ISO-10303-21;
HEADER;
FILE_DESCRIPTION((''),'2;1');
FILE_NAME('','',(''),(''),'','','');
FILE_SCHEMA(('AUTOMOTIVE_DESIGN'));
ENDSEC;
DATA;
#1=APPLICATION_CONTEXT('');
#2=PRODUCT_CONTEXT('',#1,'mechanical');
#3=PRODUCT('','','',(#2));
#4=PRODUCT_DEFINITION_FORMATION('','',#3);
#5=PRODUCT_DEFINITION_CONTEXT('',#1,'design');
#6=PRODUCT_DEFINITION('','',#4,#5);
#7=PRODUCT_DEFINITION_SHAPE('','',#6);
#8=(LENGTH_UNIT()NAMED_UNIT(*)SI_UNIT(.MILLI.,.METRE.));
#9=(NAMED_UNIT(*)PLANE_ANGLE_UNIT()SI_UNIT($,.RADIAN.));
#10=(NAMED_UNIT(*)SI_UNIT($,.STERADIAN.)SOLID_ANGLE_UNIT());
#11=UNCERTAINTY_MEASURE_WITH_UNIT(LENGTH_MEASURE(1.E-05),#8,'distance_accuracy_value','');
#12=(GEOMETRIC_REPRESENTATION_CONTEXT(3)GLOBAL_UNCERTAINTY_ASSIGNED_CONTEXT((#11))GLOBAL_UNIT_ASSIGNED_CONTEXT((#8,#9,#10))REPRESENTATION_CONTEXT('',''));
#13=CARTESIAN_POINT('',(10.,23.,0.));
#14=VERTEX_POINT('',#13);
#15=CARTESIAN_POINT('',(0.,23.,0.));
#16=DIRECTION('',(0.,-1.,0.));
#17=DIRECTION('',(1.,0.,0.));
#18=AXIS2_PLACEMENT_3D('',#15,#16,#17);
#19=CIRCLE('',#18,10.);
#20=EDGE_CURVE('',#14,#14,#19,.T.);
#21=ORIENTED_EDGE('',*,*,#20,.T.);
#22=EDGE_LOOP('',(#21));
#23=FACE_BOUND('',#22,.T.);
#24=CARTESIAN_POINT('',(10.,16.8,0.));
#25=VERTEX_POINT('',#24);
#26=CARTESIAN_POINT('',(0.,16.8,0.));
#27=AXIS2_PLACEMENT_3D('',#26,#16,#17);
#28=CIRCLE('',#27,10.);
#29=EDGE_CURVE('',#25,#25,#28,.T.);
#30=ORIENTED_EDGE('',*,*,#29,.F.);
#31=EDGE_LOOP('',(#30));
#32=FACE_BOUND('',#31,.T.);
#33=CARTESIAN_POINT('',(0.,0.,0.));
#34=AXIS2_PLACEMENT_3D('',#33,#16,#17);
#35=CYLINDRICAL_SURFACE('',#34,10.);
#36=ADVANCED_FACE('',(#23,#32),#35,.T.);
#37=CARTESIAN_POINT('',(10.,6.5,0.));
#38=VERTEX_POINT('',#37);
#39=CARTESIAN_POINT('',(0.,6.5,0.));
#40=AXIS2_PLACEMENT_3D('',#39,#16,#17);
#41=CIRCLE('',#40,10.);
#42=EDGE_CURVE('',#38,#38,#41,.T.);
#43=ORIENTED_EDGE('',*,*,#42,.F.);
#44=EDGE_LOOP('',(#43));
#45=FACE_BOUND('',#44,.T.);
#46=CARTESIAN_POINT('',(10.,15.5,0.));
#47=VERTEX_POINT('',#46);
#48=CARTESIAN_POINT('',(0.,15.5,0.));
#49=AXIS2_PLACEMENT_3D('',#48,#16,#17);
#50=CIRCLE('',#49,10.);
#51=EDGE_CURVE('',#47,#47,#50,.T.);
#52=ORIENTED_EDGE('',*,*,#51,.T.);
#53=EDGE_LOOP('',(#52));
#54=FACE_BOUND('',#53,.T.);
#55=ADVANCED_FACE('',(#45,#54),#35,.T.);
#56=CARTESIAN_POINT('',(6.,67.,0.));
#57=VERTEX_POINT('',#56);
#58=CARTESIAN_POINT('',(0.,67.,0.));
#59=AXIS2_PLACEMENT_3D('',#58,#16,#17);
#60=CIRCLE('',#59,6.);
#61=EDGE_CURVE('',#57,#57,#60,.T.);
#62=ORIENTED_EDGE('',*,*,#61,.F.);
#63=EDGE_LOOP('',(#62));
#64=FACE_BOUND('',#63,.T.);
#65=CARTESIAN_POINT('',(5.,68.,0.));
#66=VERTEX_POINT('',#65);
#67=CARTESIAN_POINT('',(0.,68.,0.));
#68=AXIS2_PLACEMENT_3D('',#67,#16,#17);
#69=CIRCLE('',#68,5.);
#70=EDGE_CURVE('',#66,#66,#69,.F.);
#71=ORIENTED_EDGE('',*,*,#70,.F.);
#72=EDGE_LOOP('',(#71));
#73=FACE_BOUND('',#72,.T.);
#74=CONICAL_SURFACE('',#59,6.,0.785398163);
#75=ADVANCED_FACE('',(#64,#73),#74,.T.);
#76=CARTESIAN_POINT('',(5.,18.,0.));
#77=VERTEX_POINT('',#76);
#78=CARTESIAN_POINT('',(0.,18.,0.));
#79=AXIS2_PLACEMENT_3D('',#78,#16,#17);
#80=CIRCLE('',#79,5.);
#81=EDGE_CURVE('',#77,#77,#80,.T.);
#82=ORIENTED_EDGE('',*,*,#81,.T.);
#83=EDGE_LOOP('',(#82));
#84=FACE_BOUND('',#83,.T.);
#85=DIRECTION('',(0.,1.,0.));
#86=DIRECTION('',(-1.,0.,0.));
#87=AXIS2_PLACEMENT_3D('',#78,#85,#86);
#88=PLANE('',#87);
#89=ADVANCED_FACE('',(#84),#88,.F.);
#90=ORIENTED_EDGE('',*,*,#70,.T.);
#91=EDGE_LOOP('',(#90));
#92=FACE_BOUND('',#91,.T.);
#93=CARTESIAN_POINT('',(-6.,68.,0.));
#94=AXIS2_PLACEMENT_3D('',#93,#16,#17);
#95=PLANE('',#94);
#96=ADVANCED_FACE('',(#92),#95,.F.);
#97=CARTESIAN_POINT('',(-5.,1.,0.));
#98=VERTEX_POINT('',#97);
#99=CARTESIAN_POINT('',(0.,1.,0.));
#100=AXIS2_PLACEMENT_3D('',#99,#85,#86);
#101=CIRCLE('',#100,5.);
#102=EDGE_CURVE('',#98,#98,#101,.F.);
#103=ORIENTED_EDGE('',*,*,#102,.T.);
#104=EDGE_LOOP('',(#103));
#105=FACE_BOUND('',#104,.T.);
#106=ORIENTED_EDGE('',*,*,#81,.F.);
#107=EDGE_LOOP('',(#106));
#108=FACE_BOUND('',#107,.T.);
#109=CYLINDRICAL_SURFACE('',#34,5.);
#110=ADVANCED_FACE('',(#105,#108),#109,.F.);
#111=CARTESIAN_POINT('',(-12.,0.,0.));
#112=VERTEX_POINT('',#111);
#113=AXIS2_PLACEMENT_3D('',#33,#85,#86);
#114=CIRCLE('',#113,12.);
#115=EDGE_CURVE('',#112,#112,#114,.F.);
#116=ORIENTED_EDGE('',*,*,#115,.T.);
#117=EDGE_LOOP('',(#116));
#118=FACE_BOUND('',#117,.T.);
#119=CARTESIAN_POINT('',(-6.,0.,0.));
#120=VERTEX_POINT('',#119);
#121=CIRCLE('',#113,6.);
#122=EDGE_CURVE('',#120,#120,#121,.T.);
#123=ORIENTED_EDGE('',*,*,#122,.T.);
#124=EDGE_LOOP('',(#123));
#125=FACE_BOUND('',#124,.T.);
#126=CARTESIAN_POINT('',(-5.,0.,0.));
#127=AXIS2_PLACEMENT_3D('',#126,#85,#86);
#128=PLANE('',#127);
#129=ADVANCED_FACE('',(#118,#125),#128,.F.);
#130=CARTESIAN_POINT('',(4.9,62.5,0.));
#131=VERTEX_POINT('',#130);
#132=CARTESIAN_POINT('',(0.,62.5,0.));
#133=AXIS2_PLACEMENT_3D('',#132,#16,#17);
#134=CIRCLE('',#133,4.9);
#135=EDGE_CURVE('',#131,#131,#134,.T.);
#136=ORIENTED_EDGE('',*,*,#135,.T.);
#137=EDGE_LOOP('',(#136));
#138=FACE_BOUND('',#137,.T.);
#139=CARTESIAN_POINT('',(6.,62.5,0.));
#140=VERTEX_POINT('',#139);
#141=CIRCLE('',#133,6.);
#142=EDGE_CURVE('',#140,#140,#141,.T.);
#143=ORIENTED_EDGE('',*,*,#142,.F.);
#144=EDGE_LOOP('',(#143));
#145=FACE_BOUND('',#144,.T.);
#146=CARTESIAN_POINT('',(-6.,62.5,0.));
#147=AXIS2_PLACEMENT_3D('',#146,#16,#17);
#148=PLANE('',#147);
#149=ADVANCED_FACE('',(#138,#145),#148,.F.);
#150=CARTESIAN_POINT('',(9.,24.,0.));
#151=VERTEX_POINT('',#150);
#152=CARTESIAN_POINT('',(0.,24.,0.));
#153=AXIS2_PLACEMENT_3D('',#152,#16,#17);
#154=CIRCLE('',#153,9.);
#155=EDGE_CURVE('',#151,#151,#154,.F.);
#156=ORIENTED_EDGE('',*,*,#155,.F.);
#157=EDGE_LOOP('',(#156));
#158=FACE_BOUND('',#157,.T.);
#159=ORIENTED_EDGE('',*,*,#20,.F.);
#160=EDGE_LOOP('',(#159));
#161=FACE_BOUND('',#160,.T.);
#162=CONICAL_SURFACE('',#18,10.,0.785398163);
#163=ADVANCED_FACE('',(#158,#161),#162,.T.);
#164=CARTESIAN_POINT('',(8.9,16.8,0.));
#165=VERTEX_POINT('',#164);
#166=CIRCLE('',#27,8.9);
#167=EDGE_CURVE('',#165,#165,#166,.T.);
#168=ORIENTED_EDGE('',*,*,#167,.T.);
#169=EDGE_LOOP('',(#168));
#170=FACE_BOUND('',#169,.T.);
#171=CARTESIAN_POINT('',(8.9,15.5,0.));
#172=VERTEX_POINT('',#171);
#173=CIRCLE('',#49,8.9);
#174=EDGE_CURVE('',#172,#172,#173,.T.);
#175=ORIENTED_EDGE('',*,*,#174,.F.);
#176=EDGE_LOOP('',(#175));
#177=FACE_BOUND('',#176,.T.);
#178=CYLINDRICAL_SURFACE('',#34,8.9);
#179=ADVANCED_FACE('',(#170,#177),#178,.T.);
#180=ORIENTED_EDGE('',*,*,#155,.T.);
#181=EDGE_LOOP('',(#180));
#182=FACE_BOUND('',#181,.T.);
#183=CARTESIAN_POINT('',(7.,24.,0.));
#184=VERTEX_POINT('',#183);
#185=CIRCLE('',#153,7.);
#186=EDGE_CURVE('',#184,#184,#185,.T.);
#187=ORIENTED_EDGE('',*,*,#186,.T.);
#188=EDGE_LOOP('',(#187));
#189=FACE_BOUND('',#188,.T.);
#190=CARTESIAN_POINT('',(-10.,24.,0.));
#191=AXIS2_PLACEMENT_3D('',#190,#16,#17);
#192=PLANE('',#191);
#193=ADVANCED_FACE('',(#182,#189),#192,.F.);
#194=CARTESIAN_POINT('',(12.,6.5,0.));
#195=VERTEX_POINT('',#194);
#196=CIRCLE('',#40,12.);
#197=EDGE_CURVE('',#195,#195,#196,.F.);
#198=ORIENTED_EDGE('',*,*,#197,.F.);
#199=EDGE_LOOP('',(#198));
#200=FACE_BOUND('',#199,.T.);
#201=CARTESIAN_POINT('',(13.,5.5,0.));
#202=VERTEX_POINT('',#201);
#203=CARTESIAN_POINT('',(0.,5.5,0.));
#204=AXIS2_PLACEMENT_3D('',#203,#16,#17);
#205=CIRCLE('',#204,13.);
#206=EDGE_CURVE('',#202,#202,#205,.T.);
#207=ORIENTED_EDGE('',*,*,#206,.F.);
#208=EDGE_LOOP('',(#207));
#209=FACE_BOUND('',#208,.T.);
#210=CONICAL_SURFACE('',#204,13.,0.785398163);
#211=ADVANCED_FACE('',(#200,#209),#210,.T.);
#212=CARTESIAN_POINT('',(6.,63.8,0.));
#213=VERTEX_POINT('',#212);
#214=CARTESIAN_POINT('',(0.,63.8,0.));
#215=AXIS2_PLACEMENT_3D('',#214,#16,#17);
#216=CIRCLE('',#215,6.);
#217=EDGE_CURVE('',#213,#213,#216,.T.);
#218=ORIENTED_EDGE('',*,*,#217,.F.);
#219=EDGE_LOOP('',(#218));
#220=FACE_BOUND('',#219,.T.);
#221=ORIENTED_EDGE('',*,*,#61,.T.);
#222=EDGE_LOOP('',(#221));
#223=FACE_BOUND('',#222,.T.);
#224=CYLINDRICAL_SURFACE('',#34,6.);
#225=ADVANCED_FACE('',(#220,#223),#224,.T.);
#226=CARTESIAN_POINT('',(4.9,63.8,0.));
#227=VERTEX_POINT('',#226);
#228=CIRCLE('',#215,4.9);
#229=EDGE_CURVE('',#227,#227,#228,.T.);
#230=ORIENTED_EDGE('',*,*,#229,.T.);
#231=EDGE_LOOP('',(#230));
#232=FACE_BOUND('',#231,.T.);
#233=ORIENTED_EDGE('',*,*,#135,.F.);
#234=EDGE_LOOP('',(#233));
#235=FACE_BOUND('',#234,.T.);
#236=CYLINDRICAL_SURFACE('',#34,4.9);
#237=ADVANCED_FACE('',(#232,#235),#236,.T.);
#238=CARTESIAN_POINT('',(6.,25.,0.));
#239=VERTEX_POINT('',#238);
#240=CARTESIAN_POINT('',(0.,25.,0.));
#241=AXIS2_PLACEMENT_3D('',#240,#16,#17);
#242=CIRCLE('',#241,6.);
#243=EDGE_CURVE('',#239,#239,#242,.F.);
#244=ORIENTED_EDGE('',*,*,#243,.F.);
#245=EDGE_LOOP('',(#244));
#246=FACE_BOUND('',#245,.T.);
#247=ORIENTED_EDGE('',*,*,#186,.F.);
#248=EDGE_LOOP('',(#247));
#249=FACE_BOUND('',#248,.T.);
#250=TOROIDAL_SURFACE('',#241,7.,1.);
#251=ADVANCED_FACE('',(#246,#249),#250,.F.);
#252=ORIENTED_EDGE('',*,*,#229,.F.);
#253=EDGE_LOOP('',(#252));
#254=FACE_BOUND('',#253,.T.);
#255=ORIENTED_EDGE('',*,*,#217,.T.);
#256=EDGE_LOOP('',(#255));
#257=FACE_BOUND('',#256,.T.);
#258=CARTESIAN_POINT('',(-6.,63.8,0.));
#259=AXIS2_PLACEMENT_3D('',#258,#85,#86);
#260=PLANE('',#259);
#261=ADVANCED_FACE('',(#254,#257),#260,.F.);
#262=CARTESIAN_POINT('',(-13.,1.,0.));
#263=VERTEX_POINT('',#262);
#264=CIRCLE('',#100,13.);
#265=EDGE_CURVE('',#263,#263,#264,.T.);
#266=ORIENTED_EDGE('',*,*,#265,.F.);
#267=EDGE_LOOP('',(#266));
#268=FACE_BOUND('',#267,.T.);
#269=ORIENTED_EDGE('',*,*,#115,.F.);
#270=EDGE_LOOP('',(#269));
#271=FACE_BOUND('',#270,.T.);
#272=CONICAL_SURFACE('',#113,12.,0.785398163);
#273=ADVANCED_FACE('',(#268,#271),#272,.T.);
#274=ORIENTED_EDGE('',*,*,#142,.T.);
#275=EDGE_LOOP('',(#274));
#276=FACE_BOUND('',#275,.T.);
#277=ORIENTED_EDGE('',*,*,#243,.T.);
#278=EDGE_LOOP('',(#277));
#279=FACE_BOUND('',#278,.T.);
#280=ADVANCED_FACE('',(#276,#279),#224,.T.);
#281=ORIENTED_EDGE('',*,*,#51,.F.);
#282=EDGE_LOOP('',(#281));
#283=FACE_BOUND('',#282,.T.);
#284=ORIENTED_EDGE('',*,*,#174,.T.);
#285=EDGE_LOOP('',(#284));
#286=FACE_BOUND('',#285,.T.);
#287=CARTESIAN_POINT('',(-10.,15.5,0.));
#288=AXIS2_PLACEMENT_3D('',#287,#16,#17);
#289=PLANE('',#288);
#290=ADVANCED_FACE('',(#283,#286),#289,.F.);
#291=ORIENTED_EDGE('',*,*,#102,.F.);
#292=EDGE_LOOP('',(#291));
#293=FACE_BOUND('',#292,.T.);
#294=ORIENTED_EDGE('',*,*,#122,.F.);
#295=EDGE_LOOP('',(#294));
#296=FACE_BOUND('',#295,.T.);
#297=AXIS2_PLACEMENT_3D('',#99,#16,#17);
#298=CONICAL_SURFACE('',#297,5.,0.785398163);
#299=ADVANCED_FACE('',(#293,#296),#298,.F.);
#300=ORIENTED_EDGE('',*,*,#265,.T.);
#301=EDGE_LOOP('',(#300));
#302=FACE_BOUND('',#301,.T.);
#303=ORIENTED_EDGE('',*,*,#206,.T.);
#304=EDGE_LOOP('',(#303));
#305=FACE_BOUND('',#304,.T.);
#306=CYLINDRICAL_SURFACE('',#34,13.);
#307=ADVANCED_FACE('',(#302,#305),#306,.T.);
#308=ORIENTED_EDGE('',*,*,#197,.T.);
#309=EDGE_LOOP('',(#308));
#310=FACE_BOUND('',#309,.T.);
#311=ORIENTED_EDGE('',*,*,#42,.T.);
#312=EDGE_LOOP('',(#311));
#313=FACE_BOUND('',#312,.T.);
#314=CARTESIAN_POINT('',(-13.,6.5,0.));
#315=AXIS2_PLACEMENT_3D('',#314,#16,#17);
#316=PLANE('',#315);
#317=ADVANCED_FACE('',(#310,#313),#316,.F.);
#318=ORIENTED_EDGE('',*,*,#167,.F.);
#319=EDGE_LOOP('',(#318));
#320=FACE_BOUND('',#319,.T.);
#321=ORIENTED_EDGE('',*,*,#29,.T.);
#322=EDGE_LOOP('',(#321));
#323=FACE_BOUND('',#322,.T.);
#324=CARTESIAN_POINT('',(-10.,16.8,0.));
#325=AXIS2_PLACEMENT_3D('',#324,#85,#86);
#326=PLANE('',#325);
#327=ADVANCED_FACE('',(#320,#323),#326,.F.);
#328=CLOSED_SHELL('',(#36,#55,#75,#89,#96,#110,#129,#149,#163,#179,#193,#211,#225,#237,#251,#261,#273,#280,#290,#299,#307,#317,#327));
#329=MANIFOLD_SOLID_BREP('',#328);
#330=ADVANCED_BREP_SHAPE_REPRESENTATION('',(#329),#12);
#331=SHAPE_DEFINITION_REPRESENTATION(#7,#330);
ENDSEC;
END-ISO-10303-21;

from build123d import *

# Parameters (mm, degrees)
CHAMFER1_SIZE = 1
FILLET2_R     = 1


with BuildPart() as part:
    # Sketch1 → Revolve1 (revolve)
    with BuildSketch(Plane.XY):
        Polygon((-5, 0), (-13, 0), (-13, 6.5), (-10, 6.5), (-10, 15.5), (-8.9, 15.5), (-8.9, 16.8), (-10, 16.8), (-10, 24), (-6, 24), (-6, 62.5), (-4.9, 62.5), (-4.9, 63.8), (-6, 63.8), (-6, 68), (0, 68), (0, 18), (-5, 18), align=None)
    revolve(axis=Axis((0, 0, 0), (0, 1, 0)))

    # Chamfer1
    chamfer1_edges = [part.edges().sort_by_distance(p)[0] for p in [
        (5, 0, 0),
        (13, 0, 0),
        (13, 6.5, 0),
        (10, 24, 0),
        (6, 68, 0),
    ]]
    chamfer(chamfer1_edges, length=CHAMFER1_SIZE)

    # Fillet2
    fillet2_edges = [part.edges().sort_by_distance(p)[0] for p in [
        (6, 24, 0),
    ]]
    fillet(fillet2_edges, radius=FILLET2_R)


solid = part.part
